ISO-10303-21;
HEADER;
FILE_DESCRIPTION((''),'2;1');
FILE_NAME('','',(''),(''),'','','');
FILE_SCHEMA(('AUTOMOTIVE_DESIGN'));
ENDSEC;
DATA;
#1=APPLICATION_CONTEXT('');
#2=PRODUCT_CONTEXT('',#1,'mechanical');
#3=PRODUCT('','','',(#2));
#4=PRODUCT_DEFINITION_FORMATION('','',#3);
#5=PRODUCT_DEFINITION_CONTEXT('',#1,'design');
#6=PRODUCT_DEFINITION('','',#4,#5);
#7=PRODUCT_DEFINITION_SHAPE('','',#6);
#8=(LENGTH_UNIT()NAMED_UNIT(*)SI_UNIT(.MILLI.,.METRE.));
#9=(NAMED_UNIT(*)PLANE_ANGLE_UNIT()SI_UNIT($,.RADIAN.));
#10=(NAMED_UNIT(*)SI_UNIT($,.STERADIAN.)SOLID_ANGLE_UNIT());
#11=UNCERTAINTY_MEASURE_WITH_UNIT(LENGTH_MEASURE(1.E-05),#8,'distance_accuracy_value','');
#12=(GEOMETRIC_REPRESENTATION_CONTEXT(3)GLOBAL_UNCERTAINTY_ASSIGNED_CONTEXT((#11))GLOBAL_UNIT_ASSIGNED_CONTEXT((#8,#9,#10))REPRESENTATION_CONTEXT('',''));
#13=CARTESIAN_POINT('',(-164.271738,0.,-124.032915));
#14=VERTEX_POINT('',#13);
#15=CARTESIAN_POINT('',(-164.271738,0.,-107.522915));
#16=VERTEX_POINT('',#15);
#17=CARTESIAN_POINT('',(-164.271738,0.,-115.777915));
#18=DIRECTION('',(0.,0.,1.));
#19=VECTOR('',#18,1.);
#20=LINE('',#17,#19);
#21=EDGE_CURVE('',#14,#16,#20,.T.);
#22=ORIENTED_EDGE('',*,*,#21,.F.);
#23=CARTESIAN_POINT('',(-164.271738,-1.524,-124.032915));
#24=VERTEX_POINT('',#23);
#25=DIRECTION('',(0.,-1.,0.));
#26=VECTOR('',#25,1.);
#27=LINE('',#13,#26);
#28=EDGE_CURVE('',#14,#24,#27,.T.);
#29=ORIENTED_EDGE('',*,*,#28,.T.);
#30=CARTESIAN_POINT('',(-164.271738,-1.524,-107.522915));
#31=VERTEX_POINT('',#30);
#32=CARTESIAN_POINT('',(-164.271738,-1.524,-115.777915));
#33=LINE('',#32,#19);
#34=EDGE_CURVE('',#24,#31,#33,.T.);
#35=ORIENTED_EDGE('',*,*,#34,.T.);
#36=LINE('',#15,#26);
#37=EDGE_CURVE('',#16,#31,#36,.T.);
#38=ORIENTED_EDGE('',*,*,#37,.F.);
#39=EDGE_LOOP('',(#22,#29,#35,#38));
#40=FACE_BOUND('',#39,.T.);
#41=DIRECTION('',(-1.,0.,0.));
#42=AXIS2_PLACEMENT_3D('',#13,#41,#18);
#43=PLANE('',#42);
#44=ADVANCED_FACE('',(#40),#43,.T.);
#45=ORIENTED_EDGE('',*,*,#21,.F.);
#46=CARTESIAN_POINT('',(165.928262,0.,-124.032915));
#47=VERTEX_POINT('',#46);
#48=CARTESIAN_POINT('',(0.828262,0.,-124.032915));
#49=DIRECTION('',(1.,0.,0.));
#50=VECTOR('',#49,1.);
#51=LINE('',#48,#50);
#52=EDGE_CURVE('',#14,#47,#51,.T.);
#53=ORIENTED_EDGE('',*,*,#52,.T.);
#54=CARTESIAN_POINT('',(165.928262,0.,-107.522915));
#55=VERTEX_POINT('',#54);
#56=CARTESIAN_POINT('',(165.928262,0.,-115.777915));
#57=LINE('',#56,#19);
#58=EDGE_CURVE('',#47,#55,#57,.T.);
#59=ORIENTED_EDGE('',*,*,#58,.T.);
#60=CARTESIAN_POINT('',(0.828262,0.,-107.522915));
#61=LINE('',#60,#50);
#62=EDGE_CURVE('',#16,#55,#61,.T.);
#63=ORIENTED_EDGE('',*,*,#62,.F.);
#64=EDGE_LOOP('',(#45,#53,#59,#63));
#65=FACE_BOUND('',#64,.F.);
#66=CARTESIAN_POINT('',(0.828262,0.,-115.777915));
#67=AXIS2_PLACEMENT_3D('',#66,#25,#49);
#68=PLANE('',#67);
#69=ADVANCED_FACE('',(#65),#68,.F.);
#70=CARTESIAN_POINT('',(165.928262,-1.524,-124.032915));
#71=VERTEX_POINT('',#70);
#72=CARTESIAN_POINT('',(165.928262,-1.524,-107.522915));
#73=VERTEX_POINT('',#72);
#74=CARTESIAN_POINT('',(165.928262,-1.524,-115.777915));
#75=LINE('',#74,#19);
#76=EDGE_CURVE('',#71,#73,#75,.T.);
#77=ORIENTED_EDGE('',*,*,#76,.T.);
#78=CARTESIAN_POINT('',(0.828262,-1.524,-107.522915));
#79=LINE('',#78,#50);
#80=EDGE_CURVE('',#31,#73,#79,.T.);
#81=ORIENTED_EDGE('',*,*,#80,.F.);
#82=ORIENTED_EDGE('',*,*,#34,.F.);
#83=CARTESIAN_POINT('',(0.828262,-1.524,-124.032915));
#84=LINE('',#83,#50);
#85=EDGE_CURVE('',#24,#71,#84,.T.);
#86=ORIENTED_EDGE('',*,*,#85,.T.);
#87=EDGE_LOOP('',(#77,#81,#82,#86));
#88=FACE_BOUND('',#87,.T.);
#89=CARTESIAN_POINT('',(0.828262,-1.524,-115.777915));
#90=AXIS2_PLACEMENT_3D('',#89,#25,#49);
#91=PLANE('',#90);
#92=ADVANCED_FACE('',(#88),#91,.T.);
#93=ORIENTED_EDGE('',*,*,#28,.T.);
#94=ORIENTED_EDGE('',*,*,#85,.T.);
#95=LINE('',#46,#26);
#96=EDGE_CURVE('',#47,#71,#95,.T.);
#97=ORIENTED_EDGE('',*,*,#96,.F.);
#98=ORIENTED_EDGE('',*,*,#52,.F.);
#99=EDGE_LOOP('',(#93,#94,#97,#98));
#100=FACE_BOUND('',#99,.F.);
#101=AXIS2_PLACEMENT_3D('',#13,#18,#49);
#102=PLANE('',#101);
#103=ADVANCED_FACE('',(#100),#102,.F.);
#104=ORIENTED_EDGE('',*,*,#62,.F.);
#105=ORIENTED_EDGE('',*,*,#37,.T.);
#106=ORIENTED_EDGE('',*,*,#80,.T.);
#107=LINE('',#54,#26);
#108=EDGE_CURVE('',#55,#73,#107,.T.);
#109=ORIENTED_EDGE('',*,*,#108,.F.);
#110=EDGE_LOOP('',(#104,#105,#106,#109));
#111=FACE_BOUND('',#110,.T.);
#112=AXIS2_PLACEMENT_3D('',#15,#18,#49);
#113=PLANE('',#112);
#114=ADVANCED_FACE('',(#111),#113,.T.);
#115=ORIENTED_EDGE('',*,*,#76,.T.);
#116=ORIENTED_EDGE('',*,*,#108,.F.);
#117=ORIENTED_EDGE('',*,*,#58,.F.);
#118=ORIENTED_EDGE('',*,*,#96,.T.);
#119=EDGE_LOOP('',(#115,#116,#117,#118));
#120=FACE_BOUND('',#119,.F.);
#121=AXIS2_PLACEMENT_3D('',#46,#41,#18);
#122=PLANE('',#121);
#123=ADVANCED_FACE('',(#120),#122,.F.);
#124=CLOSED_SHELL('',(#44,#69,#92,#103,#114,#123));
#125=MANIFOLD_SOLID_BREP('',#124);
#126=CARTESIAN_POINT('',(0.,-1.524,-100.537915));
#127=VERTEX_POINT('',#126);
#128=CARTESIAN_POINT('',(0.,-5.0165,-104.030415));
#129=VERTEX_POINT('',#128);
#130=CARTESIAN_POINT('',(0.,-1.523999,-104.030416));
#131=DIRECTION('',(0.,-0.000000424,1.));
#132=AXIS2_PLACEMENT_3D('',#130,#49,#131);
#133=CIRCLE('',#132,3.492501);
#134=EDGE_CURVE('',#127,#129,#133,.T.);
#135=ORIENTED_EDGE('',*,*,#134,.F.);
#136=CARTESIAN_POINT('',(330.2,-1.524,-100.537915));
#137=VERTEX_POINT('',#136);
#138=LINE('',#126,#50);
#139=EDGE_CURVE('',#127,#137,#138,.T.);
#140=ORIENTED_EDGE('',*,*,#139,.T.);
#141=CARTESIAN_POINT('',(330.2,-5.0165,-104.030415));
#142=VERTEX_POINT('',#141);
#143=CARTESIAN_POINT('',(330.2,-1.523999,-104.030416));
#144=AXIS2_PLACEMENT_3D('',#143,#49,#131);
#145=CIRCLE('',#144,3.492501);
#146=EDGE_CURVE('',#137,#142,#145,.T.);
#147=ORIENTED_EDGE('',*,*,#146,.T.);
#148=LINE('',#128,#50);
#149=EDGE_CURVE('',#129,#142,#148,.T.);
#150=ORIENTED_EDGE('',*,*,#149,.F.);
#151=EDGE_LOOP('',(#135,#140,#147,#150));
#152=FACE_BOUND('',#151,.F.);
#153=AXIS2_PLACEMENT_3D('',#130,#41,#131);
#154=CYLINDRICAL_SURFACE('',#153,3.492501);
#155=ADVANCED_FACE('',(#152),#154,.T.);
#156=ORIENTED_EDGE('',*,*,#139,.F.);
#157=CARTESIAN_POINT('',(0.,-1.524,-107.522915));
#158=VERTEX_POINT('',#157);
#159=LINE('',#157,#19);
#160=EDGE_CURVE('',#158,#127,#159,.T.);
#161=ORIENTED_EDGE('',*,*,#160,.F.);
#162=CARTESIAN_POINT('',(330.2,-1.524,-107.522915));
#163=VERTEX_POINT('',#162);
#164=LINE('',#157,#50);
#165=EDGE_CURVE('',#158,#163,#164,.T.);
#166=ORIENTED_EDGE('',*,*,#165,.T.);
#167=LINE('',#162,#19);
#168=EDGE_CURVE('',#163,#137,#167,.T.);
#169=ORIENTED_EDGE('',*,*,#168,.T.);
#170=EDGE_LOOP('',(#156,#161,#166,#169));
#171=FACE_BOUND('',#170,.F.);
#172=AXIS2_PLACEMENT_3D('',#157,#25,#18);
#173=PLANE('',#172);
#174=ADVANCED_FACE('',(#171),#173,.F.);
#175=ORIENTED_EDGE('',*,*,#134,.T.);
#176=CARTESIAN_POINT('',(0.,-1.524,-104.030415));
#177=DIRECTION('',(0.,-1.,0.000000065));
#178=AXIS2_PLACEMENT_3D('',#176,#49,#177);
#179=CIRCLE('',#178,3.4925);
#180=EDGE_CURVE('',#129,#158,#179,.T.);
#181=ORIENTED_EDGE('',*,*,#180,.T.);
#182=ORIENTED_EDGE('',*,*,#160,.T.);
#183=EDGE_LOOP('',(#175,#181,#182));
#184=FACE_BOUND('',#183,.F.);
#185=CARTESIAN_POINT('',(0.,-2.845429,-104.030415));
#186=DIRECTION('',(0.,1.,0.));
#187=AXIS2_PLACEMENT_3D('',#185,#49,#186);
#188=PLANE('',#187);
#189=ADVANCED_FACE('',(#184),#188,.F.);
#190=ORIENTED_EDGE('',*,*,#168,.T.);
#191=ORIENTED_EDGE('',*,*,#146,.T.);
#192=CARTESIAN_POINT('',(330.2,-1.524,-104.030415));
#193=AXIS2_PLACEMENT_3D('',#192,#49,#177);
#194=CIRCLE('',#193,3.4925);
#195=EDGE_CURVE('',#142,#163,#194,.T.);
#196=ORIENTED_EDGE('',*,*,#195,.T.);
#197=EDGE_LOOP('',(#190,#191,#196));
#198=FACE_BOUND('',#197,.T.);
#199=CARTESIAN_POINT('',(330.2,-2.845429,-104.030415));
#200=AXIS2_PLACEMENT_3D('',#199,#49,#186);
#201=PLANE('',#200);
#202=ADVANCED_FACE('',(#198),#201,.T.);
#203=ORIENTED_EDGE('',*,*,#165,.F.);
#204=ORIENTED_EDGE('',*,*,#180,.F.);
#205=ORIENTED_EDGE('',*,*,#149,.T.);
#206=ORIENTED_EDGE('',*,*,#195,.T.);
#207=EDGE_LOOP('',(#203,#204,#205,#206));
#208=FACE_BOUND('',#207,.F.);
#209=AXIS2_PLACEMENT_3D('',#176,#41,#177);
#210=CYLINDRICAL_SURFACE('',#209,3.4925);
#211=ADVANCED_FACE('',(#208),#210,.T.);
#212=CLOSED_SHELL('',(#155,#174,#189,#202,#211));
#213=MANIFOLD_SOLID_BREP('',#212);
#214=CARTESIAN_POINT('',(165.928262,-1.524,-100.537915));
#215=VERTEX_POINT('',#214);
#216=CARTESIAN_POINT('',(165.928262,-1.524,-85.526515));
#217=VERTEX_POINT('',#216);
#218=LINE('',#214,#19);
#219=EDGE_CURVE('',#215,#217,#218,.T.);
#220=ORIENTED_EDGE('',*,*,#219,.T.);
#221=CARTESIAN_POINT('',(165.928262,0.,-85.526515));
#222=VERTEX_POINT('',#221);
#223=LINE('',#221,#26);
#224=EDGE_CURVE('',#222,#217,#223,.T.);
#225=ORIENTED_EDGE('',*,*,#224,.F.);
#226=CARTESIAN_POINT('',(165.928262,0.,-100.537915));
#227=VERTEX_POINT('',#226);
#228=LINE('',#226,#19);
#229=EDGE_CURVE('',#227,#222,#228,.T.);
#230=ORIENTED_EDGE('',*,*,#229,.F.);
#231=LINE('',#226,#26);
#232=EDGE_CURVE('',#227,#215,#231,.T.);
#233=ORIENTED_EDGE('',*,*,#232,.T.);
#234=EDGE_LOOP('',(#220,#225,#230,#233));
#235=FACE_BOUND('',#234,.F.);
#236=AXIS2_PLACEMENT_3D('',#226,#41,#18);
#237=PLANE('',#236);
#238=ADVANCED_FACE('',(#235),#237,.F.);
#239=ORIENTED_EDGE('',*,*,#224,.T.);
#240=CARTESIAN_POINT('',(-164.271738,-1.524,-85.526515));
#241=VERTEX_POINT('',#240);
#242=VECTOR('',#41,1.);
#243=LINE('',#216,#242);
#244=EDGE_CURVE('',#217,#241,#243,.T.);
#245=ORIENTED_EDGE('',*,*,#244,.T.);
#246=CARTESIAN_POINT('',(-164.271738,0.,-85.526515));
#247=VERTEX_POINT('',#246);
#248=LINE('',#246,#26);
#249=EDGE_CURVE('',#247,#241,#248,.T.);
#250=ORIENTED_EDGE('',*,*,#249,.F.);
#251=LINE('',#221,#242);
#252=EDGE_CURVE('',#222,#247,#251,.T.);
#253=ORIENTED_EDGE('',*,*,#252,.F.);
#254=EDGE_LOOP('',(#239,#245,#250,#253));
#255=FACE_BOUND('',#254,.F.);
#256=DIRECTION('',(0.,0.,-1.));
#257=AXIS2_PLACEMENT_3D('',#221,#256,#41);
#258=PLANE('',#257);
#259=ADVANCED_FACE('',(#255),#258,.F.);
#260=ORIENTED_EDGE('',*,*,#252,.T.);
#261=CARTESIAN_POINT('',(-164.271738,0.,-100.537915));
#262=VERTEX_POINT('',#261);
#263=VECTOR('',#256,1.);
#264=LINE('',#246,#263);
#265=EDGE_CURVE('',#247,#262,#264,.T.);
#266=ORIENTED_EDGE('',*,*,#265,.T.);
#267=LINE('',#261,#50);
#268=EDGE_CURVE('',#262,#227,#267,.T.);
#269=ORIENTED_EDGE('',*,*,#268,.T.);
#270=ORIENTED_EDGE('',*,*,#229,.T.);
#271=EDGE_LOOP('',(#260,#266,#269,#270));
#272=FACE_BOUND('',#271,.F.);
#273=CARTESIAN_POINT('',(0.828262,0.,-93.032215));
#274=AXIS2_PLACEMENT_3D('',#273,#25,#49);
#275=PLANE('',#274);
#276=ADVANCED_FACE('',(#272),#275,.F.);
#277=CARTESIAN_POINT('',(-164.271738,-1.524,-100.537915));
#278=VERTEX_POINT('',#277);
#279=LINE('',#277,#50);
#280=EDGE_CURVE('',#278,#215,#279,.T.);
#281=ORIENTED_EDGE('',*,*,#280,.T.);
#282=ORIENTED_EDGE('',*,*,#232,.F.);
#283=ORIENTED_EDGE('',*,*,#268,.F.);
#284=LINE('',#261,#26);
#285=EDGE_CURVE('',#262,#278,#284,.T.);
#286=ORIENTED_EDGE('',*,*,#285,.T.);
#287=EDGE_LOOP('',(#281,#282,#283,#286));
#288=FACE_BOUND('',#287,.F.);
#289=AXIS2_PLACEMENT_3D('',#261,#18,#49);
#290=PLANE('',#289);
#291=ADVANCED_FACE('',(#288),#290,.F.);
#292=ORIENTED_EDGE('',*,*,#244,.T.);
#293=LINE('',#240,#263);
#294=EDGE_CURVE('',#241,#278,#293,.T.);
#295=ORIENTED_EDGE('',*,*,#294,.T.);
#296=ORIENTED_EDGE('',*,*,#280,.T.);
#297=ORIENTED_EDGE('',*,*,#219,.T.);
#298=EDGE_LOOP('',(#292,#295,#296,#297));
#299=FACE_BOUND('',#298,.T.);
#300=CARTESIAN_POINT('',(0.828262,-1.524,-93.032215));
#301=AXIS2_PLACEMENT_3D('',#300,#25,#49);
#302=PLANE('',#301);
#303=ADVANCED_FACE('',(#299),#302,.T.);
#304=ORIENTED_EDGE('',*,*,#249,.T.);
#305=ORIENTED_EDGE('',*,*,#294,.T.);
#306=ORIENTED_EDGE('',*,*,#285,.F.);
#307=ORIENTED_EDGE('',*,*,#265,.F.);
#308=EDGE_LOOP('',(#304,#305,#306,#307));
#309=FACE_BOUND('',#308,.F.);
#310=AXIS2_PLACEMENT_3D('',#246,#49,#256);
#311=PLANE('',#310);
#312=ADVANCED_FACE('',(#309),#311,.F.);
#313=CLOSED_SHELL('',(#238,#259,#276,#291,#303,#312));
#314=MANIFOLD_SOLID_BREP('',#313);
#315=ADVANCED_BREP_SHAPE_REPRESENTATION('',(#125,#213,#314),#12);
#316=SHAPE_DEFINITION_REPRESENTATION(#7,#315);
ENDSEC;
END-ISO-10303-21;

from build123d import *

# Parameters (mm, degrees)
F0_W     = 330.2
F0_H     = 16.51
F1_DEPTH = 1.524
F3_DEPTH = 330.2


with BuildPart() as f1:
    # F0 (on Front) → F1 (new body)
    with BuildSketch(Plane.XZ):
        Polygon((165.928262, -85.526515), (-164.271738, -85.526515), (-164.271738, -100.537915), (165.928262, -100.537915), (165.928262, -85.761546), align=None)
        with Locations((0.828262, -115.777915)):
            Rectangle(F0_W, F0_H)
    extrude(amount=F1_DEPTH)


with BuildPart() as f3:
    # F2 (on Right) → F3 (new body)
    with BuildSketch(Plane.YZ):
        with BuildLine():
            Line((-1.524, -107.522915), (-1.524, -100.537915))
            ThreePointArc((-1.524, -100.537915), (-3.99357, -101.560845), (-5.0165, -104.030415))
            ThreePointArc((-5.0165, -104.030415), (-3.99357, -106.499986), (-1.524, -107.522915))
        make_face()
    extrude(amount=F3_DEPTH)


solid = Compound([f1.part, f3.part])
